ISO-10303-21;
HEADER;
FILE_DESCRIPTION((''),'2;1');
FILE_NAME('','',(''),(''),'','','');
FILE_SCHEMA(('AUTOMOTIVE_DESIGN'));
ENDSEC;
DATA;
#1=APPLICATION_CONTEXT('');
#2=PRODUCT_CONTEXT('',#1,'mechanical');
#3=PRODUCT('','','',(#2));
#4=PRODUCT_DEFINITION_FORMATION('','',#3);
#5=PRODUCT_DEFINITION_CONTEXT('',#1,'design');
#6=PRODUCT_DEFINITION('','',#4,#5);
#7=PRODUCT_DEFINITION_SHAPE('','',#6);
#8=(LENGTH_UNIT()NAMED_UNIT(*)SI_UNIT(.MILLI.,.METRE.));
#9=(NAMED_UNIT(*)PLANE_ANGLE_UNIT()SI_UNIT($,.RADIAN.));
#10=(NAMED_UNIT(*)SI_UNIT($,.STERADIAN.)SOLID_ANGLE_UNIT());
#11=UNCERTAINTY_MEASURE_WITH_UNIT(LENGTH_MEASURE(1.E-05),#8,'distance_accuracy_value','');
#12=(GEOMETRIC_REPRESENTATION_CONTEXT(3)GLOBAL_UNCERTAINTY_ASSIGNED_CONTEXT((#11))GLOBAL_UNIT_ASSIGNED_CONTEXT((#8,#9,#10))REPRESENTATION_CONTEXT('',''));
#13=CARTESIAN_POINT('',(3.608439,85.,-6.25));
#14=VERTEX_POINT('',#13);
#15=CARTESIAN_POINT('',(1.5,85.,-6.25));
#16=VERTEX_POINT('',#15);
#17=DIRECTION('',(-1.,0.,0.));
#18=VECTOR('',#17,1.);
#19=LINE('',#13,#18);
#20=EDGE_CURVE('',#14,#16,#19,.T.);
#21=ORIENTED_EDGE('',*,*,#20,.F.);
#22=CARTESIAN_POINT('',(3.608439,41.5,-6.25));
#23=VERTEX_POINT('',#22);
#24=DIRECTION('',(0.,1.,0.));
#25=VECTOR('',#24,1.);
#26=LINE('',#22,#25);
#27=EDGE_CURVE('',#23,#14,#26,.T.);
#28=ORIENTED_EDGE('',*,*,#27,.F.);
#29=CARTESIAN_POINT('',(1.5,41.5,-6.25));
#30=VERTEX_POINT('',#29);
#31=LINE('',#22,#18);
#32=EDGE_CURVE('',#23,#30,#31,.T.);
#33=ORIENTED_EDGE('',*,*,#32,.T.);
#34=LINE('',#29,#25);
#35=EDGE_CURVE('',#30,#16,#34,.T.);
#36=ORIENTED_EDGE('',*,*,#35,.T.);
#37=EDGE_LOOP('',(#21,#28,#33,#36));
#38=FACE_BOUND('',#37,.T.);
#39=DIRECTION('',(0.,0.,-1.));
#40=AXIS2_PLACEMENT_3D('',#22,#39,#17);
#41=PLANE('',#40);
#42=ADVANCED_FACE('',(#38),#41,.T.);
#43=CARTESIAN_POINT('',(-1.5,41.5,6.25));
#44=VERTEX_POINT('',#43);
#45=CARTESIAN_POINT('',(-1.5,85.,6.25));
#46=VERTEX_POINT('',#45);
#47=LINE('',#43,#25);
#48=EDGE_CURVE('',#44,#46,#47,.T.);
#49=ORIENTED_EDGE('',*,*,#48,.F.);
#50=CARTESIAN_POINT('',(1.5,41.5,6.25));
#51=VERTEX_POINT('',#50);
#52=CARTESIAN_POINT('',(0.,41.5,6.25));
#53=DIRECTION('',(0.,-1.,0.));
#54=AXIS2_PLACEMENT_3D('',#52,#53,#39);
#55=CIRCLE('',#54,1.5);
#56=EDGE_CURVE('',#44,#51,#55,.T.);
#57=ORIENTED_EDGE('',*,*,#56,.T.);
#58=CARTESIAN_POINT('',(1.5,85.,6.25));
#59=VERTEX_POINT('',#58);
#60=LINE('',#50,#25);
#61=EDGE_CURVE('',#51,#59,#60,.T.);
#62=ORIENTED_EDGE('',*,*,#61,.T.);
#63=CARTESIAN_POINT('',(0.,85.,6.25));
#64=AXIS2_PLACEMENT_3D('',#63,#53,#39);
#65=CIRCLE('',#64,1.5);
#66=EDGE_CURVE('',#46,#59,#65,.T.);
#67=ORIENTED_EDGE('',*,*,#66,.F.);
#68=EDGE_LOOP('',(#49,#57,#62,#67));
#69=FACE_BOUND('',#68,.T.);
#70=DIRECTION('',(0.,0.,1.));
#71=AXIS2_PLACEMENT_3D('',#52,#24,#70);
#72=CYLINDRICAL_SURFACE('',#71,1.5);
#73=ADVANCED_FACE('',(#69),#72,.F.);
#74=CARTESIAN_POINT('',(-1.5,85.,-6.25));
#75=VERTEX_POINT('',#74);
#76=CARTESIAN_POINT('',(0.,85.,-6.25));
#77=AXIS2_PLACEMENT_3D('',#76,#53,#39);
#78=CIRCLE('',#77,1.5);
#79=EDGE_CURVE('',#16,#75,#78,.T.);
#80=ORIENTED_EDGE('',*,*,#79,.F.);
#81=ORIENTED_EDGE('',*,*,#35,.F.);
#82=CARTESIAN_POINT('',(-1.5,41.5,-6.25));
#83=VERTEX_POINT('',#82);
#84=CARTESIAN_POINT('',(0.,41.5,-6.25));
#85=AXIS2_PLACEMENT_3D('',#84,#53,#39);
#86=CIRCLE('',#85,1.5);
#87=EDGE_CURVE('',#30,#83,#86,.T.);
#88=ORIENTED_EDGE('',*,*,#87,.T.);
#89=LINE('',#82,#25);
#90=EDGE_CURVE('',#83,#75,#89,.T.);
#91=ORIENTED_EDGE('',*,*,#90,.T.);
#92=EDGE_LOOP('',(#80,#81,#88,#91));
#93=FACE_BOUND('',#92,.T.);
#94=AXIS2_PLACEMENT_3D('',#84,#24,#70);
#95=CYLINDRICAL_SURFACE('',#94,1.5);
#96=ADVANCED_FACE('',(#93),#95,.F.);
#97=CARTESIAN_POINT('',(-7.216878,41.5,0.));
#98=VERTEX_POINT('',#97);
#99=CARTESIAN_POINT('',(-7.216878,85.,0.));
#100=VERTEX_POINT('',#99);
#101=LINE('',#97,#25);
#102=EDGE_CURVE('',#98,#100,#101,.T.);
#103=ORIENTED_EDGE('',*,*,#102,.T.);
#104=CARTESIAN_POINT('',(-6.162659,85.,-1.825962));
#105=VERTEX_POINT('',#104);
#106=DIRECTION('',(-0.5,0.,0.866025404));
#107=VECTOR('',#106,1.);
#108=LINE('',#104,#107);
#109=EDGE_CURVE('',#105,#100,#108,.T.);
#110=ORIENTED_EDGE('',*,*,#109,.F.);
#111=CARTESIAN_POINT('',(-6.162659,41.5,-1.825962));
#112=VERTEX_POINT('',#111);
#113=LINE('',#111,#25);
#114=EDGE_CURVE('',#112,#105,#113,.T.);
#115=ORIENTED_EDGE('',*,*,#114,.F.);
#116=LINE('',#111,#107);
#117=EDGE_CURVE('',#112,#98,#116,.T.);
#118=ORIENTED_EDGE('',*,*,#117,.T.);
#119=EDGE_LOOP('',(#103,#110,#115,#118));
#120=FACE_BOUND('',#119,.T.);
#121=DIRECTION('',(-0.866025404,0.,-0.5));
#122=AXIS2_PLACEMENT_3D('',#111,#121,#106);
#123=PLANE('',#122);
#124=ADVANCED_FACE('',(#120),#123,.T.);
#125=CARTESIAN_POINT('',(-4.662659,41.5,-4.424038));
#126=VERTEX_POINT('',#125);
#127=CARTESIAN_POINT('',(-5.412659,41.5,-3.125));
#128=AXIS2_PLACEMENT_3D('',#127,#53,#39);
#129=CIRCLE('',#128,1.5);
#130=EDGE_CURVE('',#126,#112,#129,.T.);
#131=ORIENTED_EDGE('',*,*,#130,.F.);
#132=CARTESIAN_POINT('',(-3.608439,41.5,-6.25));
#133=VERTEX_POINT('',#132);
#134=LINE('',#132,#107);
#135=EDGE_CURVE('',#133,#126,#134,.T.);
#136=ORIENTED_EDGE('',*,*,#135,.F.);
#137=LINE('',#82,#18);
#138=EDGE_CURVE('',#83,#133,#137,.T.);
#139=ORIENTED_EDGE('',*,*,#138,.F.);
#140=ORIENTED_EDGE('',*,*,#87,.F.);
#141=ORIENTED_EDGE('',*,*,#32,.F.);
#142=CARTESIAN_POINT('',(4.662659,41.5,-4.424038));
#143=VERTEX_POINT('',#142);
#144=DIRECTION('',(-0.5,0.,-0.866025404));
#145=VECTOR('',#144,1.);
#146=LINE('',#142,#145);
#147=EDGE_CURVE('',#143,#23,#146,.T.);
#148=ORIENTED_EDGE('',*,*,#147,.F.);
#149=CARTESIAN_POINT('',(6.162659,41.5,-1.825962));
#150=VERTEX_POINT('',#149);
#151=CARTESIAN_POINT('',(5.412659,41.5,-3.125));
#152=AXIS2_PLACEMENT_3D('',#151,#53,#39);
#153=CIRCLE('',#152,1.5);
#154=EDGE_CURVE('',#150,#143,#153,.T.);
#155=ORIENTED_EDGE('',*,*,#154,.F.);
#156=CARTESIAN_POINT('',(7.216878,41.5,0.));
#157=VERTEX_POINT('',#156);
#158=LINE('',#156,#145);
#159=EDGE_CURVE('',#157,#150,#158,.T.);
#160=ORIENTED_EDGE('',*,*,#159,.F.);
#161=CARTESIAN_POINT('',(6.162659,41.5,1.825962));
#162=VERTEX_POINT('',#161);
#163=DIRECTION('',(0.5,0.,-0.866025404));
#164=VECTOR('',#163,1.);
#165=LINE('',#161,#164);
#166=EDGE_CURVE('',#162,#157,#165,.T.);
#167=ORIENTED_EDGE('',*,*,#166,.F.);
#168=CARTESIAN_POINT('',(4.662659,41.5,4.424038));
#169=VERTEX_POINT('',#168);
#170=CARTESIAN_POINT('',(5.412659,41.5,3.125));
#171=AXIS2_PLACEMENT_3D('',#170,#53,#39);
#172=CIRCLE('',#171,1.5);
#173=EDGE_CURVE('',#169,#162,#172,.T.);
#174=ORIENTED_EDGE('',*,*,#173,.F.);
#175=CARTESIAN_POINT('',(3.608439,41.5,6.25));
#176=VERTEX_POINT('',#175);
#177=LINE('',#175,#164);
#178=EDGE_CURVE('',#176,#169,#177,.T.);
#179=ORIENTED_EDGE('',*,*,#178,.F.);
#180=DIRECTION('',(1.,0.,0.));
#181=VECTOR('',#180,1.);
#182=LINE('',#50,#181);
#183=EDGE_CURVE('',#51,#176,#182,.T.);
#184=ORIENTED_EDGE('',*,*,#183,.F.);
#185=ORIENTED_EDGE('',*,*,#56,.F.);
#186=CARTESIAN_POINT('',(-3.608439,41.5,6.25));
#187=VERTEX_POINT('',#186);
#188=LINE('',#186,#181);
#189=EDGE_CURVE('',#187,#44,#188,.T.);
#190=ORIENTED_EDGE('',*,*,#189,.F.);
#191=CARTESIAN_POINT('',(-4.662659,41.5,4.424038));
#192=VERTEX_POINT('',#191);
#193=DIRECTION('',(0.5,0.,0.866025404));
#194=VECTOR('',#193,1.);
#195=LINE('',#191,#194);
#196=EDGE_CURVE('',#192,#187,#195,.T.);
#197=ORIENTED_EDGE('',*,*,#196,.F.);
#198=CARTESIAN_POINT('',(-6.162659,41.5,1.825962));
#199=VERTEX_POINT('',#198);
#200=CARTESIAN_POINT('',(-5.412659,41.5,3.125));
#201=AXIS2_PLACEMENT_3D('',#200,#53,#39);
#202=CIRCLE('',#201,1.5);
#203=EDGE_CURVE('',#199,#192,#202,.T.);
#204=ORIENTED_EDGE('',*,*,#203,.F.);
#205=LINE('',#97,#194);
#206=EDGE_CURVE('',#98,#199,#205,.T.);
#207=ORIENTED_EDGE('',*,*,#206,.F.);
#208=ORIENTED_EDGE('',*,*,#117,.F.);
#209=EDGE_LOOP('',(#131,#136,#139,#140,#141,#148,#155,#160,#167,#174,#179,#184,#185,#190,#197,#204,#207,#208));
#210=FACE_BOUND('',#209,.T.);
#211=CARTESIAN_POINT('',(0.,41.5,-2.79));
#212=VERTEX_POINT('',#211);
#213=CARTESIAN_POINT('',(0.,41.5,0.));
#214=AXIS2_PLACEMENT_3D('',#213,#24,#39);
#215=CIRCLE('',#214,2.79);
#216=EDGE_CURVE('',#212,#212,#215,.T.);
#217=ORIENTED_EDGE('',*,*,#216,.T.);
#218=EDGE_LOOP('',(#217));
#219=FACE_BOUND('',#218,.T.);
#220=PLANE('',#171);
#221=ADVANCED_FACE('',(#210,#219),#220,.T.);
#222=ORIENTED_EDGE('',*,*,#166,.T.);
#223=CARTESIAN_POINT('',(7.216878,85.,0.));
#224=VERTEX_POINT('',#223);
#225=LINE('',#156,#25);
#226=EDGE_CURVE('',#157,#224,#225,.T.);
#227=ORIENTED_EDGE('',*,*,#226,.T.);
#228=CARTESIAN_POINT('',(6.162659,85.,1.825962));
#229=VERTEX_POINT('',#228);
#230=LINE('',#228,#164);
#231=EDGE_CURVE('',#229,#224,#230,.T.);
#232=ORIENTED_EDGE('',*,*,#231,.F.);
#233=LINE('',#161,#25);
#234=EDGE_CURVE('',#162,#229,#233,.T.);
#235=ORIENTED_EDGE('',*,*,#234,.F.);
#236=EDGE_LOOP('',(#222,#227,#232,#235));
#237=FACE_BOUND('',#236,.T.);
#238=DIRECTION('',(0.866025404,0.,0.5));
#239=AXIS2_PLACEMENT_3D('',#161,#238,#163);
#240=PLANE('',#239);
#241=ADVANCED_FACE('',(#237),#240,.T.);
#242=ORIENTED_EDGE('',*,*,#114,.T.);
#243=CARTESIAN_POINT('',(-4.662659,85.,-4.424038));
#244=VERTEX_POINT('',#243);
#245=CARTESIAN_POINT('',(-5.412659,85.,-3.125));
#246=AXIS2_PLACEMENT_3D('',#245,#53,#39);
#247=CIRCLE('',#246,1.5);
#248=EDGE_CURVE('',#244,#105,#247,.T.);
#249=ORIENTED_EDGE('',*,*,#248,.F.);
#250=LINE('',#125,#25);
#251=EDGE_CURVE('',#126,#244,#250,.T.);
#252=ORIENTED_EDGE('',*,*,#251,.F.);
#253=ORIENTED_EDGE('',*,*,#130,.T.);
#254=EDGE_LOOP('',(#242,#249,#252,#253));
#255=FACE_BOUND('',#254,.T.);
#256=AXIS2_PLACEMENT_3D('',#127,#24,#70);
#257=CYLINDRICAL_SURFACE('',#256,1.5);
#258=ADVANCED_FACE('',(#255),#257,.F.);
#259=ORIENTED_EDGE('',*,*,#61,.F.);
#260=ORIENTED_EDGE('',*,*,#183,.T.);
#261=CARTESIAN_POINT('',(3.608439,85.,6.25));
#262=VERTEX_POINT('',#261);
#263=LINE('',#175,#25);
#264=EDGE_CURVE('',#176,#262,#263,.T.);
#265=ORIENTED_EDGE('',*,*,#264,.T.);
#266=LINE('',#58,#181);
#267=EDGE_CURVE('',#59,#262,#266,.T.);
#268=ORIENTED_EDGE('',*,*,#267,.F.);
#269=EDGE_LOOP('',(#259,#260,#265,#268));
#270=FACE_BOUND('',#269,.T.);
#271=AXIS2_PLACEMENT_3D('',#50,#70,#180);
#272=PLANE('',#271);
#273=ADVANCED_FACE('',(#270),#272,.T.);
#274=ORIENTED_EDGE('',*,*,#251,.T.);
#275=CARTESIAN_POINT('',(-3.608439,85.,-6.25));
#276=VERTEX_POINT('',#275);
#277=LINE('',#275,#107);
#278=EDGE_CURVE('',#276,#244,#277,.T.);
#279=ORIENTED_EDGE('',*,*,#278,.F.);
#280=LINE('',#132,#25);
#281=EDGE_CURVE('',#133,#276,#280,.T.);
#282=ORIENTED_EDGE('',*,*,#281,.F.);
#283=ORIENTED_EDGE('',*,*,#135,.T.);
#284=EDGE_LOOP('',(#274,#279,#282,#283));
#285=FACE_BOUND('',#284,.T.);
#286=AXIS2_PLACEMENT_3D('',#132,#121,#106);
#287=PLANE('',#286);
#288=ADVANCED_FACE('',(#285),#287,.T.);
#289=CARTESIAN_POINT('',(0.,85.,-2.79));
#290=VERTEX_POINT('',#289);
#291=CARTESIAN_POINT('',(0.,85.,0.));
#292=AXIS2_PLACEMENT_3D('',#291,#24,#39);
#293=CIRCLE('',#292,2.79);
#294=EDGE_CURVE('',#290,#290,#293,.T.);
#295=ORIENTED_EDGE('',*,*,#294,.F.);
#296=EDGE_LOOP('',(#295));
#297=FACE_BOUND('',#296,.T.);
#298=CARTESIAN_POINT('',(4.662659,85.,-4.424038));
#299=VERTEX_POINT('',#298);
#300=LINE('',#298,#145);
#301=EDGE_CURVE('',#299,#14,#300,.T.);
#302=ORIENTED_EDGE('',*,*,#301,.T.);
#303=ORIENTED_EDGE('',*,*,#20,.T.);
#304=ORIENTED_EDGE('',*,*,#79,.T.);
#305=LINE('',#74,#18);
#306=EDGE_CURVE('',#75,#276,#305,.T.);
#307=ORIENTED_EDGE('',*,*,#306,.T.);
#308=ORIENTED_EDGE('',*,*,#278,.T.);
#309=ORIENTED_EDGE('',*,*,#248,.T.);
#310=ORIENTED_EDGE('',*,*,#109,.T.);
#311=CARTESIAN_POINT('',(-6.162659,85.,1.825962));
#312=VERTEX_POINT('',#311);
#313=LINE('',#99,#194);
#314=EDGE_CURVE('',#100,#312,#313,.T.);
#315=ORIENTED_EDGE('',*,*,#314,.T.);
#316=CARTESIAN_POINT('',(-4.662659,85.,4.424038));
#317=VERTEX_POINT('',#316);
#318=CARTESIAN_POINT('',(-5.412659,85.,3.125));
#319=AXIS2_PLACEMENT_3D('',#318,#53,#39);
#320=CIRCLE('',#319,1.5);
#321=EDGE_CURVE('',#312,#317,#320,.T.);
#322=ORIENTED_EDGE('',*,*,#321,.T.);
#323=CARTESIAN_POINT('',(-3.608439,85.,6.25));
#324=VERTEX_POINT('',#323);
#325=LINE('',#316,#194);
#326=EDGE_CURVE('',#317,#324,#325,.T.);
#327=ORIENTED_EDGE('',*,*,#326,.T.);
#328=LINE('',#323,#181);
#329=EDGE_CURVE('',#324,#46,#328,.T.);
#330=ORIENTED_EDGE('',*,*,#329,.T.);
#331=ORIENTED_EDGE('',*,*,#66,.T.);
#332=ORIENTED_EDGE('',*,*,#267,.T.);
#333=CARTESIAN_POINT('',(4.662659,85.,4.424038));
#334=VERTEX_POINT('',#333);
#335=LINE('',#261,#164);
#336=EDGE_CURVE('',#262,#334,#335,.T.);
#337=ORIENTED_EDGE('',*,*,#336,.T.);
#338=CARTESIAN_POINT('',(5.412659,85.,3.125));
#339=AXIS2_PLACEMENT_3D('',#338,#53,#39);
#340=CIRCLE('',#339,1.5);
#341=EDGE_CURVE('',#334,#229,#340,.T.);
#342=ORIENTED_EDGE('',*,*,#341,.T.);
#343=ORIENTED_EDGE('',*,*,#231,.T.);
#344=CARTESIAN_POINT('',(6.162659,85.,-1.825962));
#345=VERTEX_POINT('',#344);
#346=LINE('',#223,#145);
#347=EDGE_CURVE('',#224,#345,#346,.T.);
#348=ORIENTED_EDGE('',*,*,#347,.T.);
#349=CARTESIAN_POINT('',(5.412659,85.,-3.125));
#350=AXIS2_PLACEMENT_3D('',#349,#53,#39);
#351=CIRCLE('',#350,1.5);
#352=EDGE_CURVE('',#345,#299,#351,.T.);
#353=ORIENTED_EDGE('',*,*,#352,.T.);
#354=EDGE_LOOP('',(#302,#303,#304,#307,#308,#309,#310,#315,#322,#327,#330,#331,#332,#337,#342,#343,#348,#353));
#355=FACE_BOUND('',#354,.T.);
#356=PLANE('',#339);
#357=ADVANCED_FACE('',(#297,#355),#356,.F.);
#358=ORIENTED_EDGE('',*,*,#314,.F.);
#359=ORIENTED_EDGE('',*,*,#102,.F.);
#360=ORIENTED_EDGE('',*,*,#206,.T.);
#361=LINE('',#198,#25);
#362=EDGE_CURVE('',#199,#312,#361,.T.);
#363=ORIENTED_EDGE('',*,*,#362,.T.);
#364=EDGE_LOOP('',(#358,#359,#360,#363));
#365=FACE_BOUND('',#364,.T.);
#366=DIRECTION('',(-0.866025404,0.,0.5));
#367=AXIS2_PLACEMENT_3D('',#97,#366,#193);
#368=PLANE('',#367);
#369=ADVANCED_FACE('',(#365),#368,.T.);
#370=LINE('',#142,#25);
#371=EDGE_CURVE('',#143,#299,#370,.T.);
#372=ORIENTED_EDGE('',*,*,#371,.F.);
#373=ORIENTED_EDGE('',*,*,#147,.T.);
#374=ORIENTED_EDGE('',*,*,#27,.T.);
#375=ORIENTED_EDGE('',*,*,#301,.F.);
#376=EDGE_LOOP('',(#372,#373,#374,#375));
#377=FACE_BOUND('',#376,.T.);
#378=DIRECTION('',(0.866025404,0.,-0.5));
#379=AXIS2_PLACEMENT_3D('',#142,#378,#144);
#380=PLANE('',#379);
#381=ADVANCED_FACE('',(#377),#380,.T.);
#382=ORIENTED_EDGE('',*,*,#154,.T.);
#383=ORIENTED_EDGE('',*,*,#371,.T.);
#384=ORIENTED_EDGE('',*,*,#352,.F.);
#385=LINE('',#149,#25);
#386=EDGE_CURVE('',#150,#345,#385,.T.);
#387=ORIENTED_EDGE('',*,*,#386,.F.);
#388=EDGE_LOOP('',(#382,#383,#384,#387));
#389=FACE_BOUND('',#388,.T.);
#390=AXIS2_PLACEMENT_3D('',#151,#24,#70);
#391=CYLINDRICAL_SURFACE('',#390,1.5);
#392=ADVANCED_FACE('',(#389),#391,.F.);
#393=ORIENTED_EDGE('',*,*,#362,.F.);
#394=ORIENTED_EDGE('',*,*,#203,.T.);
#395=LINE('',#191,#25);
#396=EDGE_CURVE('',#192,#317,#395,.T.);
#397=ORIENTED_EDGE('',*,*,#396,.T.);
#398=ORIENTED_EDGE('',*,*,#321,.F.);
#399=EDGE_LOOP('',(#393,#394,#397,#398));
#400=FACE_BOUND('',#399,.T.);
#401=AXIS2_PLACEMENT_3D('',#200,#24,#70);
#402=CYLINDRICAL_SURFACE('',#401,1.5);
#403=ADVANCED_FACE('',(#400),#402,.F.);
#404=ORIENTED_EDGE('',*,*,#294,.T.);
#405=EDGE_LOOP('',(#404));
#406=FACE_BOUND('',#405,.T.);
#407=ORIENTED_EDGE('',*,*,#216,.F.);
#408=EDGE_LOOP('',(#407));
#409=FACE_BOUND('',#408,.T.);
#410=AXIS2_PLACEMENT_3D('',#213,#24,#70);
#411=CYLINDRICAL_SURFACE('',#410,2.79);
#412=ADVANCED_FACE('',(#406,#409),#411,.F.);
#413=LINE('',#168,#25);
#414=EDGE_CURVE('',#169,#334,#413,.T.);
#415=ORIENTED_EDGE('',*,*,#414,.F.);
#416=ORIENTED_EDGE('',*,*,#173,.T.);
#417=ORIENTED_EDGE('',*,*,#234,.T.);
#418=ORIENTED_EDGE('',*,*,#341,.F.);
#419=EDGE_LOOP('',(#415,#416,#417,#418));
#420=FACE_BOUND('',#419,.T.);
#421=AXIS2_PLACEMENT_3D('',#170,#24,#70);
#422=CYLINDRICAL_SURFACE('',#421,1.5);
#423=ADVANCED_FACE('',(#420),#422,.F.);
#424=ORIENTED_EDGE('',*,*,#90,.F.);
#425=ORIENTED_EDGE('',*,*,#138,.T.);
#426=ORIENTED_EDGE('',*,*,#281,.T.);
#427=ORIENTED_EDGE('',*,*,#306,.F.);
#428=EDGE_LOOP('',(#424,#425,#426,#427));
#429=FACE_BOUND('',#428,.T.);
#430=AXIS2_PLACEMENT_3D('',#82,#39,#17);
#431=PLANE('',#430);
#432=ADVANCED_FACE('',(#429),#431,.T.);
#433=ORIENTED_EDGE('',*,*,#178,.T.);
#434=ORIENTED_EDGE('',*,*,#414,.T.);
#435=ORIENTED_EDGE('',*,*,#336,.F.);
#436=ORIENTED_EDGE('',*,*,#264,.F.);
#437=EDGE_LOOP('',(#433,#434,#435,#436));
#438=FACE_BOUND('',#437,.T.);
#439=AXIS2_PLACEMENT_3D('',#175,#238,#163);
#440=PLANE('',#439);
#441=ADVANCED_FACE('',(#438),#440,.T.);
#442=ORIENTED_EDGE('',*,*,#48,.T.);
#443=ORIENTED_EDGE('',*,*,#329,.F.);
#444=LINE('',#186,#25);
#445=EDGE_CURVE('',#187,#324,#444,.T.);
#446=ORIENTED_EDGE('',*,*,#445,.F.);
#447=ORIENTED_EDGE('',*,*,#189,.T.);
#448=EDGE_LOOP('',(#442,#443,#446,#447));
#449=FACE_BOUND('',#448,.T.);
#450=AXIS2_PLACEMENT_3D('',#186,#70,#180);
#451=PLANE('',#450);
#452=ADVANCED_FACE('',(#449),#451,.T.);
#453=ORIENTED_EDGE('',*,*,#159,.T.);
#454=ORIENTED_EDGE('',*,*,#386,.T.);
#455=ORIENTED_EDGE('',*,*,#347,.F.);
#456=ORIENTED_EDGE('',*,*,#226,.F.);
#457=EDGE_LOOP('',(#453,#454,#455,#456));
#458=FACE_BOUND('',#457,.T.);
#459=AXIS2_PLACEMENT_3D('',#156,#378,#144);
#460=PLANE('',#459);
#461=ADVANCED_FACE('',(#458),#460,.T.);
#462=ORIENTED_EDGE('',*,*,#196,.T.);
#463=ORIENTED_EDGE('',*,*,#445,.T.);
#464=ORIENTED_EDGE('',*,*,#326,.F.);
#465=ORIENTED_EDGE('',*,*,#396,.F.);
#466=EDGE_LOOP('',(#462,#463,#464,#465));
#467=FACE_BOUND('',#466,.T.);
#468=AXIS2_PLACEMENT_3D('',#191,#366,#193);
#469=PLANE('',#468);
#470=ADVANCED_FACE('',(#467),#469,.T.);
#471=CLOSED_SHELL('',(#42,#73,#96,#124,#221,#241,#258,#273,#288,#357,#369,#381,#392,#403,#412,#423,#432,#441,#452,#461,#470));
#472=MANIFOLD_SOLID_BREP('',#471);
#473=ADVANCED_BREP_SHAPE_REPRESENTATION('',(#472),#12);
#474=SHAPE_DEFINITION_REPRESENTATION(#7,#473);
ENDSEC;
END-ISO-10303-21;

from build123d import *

# Parameters (mm, degrees)
ESBO_O1_R                = 2.79
RESSALTO_EXTRUS_O1_DEPTH = 43.5


with BuildPart() as part:
    # Esboço1 → Ressalto-extrusão1 (new body)
    with BuildSketch(Plane(origin=(0, 85, 0), x_dir=(1, 0, 0), z_dir=(0, 1, 0))):
        with BuildLine():
            Line((6.162658774, -1.825961894), (7.216878365, 0))
            Line((7.216878365, 0), (6.162658774, 1.825961894))
            ThreePointArc((6.162658774, 1.825961894), (4.113620668, 2.375), (4.662658774, 4.424038106))
            Line((4.662658774, 4.424038106), (3.608439182, 6.25))
            Line((3.608439182, 6.25), (1.5, 6.25))
            ThreePointArc((1.5, 6.25), (0, 4.75), (-1.5, 6.25))
            Line((-1.5, 6.25), (-3.608439182, 6.25))
            Line((-3.608439182, 6.25), (-4.662658774, 4.424038106))
            ThreePointArc((-4.662658774, 4.424038106), (-4.113620668, 2.375), (-6.162658774, 1.825961894))
            Line((-6.162658774, 1.825961894), (-7.216878365, 0))
            Line((-7.216878365, 0), (-6.162658774, -1.825961894))
            ThreePointArc((-6.162658774, -1.825961894), (-4.113620668, -2.375), (-4.662658774, -4.424038106))
            Line((-4.662658774, -4.424038106), (-3.608439182, -6.25))
            Line((-3.608439182, -6.25), (-1.5, -6.25))
            ThreePointArc((-1.5, -6.25), (0, -4.75), (1.5, -6.25))
            Line((1.5, -6.25), (3.608439182, -6.25))
            Line((3.608439182, -6.25), (4.662658774, -4.424038106))
            ThreePointArc((4.662658774, -4.424038106), (4.113620668, -2.375), (6.162658774, -1.825961894))
        make_face()
        Circle(ESBO_O1_R, mode=Mode.SUBTRACT)
    extrude(amount=-RESSALTO_EXTRUS_O1_DEPTH)


solid = part.part
